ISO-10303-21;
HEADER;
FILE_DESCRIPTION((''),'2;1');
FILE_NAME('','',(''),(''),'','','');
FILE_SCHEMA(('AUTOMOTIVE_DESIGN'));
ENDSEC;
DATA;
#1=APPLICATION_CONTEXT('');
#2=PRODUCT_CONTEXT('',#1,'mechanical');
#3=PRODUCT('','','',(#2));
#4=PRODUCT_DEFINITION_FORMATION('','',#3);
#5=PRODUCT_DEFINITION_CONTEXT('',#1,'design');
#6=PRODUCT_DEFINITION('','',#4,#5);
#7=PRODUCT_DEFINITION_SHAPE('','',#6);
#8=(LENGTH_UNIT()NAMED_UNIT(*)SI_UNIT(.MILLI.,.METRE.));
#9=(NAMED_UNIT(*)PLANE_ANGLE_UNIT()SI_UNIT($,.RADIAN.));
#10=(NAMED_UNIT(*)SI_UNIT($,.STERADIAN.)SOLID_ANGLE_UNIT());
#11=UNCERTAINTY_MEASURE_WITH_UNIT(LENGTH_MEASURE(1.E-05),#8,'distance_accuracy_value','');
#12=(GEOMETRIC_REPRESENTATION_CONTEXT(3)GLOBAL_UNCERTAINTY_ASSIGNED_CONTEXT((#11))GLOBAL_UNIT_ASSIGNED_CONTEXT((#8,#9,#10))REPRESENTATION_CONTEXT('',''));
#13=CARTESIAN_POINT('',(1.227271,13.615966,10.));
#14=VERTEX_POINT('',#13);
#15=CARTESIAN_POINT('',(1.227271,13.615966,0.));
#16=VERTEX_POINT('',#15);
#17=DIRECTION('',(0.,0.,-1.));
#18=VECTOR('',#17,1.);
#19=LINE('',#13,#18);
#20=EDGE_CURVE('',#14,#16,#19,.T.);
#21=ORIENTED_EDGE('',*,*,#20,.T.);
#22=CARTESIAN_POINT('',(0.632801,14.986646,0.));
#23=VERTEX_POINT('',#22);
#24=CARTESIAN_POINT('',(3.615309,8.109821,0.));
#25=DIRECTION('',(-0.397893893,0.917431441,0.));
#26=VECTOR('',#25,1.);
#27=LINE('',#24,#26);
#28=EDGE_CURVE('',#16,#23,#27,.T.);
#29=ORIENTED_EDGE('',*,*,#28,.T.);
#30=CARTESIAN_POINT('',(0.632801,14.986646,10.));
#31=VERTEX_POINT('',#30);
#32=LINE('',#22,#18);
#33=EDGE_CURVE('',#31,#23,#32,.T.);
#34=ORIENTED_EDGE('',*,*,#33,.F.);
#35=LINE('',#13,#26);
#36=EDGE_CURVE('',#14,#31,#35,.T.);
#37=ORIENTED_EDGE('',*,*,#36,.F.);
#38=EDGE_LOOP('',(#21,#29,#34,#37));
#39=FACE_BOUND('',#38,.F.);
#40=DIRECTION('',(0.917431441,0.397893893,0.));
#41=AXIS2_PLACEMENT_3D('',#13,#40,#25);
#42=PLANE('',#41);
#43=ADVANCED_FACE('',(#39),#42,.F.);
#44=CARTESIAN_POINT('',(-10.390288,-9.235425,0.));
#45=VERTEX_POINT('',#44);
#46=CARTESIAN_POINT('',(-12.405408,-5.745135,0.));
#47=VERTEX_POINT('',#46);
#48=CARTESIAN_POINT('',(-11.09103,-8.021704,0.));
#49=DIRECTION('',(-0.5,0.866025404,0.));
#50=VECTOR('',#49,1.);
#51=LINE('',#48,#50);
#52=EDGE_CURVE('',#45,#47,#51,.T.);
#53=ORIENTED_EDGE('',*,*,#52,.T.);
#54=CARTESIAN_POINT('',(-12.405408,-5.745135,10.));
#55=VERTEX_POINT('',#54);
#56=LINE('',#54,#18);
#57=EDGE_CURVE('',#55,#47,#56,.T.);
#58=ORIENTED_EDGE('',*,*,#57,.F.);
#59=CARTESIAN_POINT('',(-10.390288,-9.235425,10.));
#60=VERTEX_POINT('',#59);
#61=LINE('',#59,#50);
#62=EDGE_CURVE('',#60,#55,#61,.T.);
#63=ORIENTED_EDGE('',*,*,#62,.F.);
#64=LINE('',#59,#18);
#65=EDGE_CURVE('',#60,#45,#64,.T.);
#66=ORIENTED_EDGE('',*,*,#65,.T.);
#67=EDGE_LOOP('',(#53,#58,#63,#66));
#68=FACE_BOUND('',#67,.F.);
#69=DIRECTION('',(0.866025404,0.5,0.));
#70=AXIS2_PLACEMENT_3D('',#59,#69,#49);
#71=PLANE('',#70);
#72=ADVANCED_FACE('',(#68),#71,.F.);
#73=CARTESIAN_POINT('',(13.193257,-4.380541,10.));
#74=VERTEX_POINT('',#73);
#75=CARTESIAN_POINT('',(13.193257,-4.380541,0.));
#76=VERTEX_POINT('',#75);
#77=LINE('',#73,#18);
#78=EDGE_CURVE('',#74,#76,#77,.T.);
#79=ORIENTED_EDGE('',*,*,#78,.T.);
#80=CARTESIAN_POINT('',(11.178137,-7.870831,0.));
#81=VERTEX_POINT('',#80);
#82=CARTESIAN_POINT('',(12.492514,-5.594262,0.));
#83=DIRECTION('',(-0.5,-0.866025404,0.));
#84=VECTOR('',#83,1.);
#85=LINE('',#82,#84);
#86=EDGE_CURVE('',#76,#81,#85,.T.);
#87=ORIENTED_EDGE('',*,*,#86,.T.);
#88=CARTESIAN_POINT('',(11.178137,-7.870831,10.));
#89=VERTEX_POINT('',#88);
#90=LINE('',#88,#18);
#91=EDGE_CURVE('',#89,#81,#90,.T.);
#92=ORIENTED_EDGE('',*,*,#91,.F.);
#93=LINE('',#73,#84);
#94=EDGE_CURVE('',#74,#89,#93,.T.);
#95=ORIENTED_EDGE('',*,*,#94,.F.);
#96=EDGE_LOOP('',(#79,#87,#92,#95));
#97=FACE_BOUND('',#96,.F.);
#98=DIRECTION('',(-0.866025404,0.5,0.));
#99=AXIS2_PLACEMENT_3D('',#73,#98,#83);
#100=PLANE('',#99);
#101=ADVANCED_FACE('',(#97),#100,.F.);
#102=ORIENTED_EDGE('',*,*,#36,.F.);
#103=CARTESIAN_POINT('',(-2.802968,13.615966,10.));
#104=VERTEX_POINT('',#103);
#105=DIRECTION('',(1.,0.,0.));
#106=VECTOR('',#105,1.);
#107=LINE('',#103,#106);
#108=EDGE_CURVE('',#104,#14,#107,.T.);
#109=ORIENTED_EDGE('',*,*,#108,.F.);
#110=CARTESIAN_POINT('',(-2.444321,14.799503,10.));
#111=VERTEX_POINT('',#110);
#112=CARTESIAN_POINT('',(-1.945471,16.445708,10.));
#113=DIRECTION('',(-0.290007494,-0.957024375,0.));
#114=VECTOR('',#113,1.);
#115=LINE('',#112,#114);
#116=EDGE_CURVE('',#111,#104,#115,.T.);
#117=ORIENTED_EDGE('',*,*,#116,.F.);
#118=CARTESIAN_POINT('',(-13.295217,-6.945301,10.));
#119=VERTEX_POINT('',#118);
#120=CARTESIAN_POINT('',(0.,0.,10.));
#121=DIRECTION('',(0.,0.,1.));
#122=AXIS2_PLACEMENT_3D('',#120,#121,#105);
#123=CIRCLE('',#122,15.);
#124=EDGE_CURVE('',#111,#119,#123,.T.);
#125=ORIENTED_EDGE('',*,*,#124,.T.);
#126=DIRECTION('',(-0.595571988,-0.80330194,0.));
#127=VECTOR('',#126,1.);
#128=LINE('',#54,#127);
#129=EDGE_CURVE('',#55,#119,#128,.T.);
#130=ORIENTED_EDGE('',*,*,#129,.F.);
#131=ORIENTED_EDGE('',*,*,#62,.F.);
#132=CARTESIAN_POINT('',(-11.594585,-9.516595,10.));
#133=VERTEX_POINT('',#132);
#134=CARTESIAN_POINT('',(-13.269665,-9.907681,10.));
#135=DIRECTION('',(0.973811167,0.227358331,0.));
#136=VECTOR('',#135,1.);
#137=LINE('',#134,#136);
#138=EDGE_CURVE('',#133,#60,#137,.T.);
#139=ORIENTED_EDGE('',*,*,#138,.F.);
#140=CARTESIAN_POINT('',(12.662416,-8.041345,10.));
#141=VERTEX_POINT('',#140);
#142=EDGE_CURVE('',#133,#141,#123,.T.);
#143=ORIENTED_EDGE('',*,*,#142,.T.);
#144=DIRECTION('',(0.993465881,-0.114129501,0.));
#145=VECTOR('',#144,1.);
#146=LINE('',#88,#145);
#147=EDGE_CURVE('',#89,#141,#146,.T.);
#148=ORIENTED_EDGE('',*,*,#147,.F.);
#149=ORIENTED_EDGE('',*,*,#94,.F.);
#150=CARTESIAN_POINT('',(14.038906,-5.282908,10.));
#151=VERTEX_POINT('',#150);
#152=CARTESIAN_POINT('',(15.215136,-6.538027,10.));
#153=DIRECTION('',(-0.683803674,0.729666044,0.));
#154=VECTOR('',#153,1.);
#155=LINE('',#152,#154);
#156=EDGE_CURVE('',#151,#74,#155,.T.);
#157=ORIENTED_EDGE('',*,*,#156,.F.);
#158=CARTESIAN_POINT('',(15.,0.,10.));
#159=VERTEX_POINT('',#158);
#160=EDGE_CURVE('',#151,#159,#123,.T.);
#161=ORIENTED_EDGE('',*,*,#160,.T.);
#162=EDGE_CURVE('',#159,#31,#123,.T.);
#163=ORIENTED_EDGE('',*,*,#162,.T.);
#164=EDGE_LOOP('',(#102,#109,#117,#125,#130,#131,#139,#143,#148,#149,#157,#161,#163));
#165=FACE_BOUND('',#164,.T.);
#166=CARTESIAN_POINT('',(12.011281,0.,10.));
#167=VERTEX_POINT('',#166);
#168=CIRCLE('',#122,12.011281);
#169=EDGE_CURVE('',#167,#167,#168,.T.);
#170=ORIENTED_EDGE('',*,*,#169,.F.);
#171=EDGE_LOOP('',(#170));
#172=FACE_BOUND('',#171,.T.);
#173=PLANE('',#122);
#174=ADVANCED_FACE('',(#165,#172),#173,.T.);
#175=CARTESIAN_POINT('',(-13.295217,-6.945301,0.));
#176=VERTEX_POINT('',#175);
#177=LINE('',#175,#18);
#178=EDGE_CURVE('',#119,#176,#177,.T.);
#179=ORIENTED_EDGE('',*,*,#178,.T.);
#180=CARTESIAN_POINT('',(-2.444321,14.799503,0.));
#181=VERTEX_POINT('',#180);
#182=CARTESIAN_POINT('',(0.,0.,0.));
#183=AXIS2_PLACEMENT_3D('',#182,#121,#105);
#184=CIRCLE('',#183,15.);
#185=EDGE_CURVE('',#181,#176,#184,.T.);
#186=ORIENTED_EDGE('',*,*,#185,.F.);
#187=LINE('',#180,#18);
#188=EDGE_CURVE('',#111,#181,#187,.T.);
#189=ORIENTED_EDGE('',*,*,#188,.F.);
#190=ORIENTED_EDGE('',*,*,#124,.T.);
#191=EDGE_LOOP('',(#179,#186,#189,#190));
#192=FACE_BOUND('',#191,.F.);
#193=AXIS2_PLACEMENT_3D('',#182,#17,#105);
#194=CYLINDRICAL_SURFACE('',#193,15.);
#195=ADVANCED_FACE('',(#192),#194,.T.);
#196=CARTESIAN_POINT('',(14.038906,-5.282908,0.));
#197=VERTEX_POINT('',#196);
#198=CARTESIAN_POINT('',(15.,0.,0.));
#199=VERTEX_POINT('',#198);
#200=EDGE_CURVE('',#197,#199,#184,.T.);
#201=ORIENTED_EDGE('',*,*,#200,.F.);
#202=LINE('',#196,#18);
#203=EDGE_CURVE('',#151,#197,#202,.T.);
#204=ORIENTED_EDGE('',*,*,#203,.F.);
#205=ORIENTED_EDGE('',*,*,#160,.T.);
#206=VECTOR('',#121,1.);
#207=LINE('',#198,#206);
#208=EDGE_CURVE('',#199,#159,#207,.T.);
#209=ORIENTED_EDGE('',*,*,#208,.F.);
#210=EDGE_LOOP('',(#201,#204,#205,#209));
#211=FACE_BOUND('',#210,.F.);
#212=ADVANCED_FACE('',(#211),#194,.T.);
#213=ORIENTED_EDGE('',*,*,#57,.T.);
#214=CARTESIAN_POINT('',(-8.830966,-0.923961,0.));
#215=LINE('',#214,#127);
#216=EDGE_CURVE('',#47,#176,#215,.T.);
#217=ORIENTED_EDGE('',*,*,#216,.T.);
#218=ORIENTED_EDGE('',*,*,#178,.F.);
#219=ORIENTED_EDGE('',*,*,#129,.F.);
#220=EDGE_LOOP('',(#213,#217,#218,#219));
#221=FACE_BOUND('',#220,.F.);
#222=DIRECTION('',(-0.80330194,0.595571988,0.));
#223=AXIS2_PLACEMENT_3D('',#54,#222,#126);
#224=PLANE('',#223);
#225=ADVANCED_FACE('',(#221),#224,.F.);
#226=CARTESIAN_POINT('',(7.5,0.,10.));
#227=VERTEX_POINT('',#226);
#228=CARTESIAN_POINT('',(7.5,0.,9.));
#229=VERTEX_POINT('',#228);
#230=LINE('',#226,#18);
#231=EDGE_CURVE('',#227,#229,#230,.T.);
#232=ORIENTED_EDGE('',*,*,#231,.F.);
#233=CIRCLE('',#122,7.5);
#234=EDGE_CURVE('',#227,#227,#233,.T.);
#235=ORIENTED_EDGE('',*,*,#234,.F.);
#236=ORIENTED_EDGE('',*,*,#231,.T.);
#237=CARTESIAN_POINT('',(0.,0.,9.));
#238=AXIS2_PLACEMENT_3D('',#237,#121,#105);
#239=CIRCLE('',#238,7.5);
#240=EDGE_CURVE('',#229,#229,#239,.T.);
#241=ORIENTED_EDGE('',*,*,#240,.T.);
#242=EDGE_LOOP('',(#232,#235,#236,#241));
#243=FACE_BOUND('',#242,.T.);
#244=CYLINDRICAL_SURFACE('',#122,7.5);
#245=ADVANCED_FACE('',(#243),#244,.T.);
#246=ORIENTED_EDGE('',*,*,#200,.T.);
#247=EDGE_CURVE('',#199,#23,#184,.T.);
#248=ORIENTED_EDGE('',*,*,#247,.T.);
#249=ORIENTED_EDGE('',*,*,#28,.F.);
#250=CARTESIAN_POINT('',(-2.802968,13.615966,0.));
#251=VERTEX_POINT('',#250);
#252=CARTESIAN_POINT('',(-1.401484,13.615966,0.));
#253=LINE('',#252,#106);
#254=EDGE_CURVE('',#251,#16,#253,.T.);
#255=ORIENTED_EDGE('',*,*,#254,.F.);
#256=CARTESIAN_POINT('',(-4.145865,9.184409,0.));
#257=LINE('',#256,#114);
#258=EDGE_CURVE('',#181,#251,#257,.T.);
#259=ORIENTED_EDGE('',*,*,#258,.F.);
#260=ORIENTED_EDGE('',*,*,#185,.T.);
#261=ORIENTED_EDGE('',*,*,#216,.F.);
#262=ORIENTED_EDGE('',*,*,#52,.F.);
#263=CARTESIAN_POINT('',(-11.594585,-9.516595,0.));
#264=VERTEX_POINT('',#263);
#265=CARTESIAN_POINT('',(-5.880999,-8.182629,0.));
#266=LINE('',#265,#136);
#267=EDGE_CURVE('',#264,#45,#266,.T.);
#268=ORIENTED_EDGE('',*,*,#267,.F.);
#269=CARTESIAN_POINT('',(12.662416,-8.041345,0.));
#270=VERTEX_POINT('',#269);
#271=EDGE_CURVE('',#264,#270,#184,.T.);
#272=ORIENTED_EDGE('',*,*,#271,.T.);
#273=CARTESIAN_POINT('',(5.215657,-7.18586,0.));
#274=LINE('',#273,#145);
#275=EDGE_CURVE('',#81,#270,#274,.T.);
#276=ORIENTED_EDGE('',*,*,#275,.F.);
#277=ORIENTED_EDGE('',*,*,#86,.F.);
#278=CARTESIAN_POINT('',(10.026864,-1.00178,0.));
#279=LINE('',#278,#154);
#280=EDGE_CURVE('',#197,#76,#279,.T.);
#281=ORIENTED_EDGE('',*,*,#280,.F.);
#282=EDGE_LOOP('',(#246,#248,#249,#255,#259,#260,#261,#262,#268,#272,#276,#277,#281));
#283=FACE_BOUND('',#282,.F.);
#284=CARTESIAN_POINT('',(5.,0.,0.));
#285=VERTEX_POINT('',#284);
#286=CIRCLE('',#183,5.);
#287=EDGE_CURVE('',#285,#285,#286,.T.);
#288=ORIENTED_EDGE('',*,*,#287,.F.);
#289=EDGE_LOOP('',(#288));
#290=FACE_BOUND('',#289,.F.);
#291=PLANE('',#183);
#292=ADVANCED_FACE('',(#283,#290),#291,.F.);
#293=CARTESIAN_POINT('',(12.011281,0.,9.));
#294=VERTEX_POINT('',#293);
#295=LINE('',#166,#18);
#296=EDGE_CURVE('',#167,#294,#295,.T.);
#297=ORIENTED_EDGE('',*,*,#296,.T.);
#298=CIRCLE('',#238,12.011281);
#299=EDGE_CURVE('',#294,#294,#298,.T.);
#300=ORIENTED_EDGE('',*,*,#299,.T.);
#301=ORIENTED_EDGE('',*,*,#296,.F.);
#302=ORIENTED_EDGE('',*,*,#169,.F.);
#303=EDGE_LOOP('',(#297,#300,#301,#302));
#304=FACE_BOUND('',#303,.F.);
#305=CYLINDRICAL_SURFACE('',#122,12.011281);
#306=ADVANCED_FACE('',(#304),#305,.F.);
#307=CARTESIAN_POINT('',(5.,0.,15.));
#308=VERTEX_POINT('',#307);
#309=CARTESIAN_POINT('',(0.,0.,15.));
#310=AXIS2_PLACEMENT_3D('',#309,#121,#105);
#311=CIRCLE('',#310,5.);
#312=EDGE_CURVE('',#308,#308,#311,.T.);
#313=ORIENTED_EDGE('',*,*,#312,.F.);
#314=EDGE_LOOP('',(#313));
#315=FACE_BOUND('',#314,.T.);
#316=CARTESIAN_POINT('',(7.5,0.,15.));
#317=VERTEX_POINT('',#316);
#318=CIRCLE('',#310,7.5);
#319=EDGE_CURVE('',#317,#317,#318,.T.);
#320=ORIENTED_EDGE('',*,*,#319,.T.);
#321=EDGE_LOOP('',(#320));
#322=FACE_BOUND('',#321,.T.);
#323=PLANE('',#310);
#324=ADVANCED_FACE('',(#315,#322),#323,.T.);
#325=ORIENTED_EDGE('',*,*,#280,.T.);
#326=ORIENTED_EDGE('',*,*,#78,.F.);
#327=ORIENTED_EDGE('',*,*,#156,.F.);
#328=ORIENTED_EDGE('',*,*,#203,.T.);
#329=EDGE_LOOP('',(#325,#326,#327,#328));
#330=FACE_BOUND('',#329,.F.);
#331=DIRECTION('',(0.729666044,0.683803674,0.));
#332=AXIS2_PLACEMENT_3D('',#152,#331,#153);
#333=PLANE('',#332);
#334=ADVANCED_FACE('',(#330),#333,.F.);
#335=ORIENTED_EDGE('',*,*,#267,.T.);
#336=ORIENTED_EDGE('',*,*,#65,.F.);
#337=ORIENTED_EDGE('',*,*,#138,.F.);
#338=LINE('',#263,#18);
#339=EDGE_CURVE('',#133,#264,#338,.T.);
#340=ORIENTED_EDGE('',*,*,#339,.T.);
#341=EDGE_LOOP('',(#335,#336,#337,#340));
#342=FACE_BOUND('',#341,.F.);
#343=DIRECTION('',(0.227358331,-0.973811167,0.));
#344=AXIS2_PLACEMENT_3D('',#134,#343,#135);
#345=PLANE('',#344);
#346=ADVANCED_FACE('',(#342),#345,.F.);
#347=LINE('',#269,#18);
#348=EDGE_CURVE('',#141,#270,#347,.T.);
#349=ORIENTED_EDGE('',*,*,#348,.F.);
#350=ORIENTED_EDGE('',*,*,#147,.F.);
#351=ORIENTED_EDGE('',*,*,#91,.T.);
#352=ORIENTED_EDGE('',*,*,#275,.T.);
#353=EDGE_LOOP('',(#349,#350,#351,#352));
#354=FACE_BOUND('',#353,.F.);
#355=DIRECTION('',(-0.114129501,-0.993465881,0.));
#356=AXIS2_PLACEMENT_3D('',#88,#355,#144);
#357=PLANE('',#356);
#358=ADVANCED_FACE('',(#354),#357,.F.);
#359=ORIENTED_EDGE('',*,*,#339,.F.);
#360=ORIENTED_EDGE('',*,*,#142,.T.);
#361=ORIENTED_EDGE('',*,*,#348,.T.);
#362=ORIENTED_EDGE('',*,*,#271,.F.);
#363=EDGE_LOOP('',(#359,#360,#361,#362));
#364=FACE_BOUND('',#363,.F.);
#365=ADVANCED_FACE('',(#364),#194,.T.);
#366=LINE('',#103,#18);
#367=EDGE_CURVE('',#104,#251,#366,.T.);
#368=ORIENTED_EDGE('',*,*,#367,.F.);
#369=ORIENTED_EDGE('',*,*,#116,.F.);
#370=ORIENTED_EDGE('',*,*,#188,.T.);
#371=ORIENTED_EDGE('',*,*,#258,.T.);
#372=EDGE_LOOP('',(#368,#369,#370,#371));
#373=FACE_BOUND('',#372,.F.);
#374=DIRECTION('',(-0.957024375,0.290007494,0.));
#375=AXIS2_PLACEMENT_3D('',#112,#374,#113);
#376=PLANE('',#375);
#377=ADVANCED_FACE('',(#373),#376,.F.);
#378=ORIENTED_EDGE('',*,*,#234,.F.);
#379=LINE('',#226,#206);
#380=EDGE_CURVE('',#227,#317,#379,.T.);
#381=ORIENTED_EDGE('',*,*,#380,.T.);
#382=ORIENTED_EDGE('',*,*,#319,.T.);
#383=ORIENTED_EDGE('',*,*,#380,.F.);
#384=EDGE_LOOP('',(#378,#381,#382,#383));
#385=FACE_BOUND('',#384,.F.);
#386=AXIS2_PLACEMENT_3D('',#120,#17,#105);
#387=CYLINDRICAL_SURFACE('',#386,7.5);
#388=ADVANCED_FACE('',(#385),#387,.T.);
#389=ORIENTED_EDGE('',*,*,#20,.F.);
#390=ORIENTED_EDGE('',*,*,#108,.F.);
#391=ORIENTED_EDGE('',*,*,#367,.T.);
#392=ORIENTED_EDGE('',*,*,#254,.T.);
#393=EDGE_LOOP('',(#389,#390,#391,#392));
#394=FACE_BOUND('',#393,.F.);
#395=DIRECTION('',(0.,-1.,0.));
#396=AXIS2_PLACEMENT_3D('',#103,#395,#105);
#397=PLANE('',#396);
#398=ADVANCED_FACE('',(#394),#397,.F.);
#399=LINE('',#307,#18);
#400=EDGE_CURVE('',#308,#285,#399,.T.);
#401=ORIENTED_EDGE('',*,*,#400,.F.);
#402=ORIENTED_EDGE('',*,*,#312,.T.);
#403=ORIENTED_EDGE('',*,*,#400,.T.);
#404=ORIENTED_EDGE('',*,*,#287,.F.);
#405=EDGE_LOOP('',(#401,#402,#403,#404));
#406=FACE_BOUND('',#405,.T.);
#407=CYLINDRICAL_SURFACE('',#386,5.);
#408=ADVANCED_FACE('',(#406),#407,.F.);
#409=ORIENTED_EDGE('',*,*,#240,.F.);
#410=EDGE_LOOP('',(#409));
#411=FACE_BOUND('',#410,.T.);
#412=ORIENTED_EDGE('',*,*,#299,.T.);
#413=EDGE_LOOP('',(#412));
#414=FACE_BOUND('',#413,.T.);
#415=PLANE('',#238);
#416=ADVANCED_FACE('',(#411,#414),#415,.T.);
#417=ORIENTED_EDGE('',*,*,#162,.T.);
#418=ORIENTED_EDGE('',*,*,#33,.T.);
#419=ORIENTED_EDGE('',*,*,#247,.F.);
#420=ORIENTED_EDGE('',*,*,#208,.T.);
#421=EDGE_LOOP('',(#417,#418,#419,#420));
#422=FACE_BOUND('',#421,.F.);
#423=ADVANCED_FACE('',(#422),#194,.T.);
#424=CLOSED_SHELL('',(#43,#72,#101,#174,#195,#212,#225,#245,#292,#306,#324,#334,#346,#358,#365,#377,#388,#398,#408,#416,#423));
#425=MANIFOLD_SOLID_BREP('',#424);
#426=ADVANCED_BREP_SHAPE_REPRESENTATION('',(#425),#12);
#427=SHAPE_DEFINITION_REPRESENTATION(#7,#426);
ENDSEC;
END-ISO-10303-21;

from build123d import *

# Parameters (mm, degrees)
F0_R     = 15
F0_R_2   = 5
F1_DEPTH = 10
F2_R     = 7.5
F2_R_2   = 5
F3_DEPTH = 5
F4_R     = 12.0112808184
F4_R_2   = 11.2253512915
F4_R_3   = 7.5
F5_DEPTH = 1
F7_DEPTH = 25


with BuildPart() as f1:
    # F0 (on Top) → F1 (new body)
    with BuildSketch(Plane.XY):
        Circle(F0_R)
        Circle(F0_R_2, mode=Mode.SUBTRACT)
    extrude(amount=F1_DEPTH)

    # F2 (on face) → F3 (join)
    with BuildSketch(Plane.XY.offset(10)):
        Circle(F2_R)
        Circle(F2_R_2, mode=Mode.SUBTRACT)
    extrude(amount=F3_DEPTH)

    # F4 (on face) → F5 (cut)
    with BuildSketch(Plane.XY.offset(10)):
        Circle(F4_R)
        Circle(F4_R_2, mode=Mode.SUBTRACT)
        Circle(F4_R_2)
        Circle(F4_R_3, mode=Mode.SUBTRACT)
    extrude(amount=-F5_DEPTH, mode=Mode.SUBTRACT)

    # F6 (on face) → F7 (cut)
    with BuildSketch(Plane.XY.offset(10)):
        Polygon((-1.9454706926, 16.4457075298), (-2.8029684909, 13.6159658432), (1.2272709282, 13.6159658432), (0, 16.4457075298), align=None)
        Polygon((-12.4054077814, -5.7451351204), (-14.242400504, -8.2228537649), (-13.2696651577, -9.907680807), (-10.3902880718, -9.2354248407), align=None)
        Polygon((11.1781368532, -7.8708307228), (14.242400504, -8.2228537649), (15.2151358503, -6.5380267228), (13.1932565627, -4.3805410025), align=None)
    extrude(amount=-F7_DEPTH, mode=Mode.SUBTRACT)


solid = f1.part
